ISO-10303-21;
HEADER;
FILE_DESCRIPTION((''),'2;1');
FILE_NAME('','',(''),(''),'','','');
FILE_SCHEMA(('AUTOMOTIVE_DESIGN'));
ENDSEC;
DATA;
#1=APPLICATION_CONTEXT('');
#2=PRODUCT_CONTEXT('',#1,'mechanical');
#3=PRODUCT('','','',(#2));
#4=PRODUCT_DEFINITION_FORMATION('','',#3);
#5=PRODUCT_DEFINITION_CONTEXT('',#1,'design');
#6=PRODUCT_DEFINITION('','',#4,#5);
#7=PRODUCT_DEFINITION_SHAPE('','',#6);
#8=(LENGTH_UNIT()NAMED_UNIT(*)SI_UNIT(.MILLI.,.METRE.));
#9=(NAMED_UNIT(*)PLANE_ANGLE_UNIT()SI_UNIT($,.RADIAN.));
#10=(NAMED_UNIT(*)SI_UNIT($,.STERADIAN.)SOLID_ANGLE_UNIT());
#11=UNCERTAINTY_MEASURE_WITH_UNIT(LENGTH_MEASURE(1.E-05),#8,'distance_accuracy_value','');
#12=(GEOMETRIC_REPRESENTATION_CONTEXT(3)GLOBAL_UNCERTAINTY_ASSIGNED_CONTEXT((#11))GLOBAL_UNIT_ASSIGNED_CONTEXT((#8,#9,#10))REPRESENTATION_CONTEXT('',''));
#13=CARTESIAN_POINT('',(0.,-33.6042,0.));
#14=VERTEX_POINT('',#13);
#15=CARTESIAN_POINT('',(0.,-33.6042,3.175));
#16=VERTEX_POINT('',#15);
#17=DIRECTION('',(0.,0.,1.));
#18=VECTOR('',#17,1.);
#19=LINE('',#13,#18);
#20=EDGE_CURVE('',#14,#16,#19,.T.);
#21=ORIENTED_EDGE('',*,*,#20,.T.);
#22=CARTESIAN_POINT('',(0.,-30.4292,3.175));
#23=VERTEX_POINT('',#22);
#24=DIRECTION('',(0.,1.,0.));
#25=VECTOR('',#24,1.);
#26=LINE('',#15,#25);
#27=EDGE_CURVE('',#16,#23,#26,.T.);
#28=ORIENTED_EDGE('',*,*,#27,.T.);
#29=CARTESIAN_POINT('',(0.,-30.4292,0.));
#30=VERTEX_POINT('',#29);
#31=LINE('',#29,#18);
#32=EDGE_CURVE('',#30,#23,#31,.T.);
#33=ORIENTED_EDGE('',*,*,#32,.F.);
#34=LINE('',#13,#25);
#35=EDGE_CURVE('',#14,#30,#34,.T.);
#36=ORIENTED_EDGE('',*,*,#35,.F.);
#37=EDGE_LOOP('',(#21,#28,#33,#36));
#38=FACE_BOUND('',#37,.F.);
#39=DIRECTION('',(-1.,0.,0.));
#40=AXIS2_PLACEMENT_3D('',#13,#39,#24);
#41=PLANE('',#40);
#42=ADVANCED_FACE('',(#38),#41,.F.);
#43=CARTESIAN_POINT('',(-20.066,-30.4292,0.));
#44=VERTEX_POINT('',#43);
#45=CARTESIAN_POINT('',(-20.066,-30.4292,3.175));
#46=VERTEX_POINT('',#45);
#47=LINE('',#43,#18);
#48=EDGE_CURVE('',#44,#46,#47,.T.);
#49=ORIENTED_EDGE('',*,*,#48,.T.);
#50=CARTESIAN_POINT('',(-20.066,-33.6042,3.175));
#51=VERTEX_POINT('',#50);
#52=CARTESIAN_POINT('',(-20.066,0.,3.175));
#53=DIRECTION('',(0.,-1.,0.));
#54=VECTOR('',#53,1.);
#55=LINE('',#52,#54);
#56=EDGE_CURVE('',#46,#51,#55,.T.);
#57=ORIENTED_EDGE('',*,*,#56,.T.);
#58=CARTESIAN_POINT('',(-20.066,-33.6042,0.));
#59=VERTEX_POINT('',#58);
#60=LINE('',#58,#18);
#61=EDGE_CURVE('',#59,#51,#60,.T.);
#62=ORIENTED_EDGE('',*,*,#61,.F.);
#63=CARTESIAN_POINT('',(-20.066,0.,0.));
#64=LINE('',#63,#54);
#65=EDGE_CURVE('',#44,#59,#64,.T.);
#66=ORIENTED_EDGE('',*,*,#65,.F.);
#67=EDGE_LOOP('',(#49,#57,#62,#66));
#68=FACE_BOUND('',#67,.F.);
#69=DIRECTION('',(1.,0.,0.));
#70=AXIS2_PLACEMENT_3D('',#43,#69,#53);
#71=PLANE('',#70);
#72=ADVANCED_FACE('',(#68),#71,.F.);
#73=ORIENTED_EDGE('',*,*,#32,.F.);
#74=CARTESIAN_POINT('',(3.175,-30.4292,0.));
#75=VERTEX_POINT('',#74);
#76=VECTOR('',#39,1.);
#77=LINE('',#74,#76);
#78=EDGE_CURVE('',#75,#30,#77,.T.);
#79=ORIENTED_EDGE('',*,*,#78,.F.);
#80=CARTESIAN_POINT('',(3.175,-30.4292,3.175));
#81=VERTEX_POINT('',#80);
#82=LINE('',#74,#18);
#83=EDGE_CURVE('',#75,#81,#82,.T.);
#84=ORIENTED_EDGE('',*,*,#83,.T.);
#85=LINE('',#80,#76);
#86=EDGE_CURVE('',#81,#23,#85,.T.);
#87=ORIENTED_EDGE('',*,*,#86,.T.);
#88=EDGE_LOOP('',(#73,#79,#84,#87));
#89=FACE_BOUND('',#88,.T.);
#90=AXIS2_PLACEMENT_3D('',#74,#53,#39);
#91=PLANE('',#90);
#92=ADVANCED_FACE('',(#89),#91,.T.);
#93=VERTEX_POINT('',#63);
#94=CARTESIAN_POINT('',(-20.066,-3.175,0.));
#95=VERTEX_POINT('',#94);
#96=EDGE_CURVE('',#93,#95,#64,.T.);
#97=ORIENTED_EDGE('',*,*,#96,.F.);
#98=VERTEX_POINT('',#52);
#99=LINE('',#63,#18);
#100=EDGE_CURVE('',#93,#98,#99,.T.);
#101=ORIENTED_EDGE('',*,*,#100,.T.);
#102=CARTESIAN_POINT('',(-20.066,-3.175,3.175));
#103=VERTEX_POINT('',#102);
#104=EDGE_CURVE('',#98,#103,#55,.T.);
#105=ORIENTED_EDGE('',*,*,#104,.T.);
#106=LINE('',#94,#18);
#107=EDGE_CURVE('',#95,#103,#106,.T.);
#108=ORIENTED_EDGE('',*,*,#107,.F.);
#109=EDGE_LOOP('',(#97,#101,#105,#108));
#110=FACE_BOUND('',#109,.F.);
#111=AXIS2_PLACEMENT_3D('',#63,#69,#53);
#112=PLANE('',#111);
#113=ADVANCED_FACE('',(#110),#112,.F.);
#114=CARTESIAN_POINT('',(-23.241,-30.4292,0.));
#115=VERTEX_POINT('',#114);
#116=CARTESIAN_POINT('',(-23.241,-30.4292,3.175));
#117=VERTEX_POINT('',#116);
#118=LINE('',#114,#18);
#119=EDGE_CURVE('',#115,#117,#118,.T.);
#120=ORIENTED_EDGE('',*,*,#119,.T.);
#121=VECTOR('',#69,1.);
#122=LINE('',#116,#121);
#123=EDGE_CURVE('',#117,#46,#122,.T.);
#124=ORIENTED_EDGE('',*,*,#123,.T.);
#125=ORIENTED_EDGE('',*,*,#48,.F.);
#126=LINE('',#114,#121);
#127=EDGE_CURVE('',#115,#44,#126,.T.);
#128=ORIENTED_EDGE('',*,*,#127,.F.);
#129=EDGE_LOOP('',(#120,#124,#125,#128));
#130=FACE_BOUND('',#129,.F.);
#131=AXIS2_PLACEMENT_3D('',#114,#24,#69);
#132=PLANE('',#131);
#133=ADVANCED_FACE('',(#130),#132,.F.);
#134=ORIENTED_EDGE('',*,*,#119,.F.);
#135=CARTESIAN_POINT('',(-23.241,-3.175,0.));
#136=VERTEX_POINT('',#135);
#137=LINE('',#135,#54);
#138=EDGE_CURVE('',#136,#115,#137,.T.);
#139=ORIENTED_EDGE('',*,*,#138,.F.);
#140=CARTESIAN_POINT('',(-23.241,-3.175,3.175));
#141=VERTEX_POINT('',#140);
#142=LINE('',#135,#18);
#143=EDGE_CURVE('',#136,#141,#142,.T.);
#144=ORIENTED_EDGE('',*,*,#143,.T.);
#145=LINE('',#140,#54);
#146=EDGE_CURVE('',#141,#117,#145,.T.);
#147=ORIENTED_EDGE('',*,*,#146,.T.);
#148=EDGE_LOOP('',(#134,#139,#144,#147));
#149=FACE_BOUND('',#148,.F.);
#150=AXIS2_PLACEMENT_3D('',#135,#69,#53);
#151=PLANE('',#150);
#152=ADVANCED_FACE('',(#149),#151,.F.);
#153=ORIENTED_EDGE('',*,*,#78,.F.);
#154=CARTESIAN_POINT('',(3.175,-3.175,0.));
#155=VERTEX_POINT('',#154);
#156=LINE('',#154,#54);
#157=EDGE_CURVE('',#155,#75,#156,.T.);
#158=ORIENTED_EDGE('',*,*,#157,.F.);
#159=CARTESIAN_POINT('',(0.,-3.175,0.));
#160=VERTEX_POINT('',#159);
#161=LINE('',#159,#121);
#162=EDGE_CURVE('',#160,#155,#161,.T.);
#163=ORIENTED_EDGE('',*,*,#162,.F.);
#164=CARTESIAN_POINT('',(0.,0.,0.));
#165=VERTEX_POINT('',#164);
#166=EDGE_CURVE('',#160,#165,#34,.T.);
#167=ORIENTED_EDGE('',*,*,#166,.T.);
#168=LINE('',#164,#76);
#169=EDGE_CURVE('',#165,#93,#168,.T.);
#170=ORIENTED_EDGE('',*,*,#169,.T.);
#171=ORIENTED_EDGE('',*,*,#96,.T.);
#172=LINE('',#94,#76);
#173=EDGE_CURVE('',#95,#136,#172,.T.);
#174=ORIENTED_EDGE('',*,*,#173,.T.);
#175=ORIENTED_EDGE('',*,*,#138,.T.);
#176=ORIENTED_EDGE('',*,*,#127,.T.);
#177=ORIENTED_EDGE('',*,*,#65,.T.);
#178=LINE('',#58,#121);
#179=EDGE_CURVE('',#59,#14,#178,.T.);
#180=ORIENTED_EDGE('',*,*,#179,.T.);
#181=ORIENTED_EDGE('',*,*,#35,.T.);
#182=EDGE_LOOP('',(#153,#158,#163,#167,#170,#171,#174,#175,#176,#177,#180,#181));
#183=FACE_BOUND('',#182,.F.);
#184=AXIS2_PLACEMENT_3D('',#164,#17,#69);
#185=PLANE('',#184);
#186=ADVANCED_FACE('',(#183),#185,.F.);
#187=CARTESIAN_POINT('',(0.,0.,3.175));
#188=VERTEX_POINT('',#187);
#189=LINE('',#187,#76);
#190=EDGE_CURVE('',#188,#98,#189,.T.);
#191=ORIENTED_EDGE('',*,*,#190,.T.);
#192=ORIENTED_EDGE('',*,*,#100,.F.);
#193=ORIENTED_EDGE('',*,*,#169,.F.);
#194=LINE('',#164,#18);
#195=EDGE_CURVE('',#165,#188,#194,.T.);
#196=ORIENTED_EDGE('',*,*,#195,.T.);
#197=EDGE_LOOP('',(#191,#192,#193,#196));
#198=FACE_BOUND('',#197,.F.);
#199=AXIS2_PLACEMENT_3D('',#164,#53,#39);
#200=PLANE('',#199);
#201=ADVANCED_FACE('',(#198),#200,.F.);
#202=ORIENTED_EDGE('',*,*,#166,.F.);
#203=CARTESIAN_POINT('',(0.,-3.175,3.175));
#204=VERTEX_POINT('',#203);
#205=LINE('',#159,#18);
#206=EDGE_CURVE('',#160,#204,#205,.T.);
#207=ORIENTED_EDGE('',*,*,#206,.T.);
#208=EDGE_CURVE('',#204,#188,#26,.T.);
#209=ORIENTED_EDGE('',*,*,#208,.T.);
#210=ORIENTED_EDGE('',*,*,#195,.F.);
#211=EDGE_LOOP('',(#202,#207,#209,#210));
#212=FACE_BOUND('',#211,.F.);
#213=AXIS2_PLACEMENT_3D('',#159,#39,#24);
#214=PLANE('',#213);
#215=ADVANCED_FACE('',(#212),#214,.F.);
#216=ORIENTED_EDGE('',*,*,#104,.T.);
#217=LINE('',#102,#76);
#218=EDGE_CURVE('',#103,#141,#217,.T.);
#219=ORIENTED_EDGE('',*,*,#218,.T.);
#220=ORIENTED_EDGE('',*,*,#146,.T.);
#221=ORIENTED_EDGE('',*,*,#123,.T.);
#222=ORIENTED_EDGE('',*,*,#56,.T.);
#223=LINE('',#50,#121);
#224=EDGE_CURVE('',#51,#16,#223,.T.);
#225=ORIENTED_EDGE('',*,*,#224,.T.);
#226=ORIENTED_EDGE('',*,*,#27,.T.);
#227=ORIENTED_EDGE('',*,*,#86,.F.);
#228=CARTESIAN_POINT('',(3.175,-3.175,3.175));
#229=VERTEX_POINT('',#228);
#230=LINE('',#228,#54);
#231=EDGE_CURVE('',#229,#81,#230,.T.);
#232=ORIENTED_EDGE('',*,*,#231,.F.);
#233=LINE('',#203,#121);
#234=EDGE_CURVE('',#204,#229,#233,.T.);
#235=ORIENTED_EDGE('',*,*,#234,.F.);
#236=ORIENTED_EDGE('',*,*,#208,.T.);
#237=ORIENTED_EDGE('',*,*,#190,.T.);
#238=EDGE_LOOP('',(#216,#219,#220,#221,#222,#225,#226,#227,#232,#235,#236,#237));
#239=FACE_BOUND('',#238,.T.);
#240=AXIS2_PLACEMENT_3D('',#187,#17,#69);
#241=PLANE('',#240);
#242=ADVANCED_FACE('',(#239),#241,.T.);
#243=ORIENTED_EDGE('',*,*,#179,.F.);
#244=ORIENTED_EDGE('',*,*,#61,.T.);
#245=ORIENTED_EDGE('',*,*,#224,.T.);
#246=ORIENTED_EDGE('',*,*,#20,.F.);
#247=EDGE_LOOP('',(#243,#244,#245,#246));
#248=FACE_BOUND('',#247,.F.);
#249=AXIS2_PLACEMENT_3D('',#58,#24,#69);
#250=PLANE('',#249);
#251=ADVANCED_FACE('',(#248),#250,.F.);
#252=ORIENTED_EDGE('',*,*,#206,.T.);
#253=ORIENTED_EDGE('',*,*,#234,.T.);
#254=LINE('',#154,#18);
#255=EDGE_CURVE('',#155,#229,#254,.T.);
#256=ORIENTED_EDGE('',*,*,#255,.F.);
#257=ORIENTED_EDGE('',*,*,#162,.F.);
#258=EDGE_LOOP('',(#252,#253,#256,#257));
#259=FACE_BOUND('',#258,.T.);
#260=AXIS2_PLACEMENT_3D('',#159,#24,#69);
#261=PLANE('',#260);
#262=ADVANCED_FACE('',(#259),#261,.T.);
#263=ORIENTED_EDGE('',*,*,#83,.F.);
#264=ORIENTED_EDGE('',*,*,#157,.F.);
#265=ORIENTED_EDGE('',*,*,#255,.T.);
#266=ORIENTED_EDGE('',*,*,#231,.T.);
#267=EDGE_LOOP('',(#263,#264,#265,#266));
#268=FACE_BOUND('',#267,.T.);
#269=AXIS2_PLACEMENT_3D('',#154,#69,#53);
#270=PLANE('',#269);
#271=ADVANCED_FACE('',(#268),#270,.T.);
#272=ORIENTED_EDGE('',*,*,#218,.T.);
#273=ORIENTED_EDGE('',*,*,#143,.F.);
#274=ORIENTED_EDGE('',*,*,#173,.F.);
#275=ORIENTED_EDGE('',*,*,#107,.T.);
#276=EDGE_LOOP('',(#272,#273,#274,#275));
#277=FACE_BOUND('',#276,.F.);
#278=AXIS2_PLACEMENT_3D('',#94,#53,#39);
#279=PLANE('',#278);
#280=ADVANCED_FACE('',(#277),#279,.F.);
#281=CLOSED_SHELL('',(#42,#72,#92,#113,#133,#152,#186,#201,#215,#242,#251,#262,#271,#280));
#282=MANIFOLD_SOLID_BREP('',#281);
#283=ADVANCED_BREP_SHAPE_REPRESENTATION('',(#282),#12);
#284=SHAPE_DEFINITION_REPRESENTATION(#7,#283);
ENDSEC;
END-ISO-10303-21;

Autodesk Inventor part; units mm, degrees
ref_plane "YZ Plane" through (0, 0, 0) normal (1, 0, 0) x (0, 1, 0)
ref_plane "XZ Plane" through (0, 0, 0) normal (0, 1, 0) x (-1, 0, 0)
ref_plane "XY Plane" through (0, 0, 0) normal (0, 0, 1) x (1, 0, 0)
sketch "Sketch1" plane through (0, 0, 0) normal (0, 0, 1) x (1, 0, 0)
  line L0 (0, 0) -> (-20.066, 0)
  line L1 (-20.066, 0) -> (-20.066, -33.6042)
  line L2 (-20.066, -33.6042) -> (0, -33.6042)
  line L3 (0, -33.6042) -> (0, 0)
  line L4 (0, -3.175) -> (3.175, -3.175)
  line L5 (3.175, -3.175) -> (3.175, -30.4292)
  line L6 (3.175, -30.4292) -> (0, -30.4292)
  line L7 (0, -30.4292) -> (0, -3.175)
  line L8 (-20.066, -3.175) -> (-23.241, -3.175)
  line L9 (-23.241, -3.175) -> (-23.241, -30.4292)
  line L10 (-23.241, -30.4292) -> (-20.066, -30.4292)
  line L11 (-20.066, -30.4292) -> (-20.066, -3.175)
  point P0 (1.5875, -30.4292)
  point P1 (0, -30.4292)
  dimension "d0" = 3.175
  dimension "d1" = 3.175
  dimension "d2" = 3.175
  dimension "d3" = 3.175
  dimension "d4" = 3.175
  dimension "d6" = 3.175
  dimension "d7" = 27.2542
  dimension "d8" = 20.066
extrude "Extrusion1" add sketch "Sketch1" along normal blind 3.175
properties part number "servo short side"
